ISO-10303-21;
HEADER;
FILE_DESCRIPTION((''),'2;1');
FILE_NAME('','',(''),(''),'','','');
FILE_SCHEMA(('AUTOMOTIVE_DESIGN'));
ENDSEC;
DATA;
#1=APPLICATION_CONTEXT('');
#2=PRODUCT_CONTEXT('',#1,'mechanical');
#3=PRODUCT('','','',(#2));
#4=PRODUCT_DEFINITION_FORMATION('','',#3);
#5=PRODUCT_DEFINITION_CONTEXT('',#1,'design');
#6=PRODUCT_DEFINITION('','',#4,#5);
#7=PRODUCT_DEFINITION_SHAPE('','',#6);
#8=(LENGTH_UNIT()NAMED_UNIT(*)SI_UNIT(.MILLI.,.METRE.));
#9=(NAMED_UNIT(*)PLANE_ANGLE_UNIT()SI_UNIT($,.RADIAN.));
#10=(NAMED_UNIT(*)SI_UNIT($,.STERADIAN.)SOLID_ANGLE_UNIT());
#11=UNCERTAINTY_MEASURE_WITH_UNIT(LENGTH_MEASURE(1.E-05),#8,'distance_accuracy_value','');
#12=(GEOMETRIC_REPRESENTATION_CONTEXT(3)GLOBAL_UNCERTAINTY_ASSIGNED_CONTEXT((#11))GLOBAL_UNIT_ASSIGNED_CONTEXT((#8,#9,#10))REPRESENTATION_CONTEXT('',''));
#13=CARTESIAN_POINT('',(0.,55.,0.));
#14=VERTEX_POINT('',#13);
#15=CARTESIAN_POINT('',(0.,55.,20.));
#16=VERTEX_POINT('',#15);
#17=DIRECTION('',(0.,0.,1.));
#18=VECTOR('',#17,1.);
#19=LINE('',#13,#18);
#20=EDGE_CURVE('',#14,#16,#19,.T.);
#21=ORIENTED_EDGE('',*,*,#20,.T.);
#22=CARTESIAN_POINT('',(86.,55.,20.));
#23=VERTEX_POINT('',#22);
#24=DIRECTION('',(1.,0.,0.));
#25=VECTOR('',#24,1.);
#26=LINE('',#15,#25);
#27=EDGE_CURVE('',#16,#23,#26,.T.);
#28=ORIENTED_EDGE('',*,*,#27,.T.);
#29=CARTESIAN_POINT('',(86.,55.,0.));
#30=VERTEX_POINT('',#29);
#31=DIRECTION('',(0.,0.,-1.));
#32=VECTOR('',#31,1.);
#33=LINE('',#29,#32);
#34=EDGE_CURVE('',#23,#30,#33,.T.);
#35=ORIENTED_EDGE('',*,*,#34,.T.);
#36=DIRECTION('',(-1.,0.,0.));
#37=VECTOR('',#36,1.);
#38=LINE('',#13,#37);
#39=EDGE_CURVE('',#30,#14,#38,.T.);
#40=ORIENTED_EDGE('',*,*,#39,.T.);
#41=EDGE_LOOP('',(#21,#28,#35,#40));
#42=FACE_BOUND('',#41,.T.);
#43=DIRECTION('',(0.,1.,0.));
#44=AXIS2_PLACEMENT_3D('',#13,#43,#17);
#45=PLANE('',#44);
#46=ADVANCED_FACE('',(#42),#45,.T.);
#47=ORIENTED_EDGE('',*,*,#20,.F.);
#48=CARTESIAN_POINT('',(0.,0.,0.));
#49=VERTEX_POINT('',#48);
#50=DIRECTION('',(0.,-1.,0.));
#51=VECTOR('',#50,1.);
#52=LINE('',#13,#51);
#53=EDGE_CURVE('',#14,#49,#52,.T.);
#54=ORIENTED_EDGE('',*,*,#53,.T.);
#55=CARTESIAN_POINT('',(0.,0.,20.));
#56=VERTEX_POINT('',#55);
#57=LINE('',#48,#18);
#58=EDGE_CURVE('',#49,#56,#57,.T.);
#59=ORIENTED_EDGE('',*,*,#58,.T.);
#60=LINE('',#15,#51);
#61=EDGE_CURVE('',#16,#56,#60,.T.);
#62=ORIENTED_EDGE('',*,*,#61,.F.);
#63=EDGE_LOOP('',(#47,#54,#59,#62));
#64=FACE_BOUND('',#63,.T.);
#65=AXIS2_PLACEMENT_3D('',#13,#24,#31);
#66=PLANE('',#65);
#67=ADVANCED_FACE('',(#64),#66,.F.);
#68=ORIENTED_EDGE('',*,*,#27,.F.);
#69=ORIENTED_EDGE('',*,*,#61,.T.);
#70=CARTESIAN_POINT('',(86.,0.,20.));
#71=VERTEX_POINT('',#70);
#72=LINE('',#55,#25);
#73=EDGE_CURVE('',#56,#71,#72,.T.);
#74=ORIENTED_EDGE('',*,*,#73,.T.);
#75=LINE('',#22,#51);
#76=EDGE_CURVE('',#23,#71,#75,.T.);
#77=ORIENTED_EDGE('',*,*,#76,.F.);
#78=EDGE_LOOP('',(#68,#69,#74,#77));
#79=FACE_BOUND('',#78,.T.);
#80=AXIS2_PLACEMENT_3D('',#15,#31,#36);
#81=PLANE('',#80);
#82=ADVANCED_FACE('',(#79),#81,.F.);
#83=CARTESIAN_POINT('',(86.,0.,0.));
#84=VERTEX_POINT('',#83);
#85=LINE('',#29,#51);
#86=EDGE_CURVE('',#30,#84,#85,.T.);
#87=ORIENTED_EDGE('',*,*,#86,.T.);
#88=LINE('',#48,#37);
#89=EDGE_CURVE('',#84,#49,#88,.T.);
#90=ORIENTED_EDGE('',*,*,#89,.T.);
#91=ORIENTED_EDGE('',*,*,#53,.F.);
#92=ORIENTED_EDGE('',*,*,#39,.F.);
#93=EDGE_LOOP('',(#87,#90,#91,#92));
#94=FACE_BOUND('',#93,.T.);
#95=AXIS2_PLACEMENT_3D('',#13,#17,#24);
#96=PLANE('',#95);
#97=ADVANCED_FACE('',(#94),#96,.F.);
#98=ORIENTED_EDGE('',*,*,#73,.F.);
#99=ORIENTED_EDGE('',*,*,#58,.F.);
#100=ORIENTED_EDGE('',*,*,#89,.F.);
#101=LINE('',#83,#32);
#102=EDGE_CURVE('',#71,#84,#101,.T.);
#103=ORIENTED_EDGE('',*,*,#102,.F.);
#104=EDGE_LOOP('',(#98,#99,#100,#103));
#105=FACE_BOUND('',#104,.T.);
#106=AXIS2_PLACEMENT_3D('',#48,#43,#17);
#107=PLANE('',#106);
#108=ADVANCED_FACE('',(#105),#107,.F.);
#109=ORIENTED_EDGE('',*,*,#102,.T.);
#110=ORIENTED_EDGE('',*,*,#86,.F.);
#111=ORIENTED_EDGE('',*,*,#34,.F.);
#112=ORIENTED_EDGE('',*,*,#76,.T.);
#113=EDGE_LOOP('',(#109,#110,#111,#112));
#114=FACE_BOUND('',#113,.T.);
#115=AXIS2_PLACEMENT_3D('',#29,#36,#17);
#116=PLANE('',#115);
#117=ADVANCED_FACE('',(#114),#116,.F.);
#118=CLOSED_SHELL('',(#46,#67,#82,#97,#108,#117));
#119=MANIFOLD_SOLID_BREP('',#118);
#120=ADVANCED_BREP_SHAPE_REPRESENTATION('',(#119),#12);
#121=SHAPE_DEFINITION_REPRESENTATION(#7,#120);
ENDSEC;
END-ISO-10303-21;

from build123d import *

# Parameters (mm, degrees)
SKETCH_1_W      = 86
SKETCH_1_H      = 20
EXTRUDE_1_DEPTH = 55


with BuildPart() as part:
    # 草图1 → 凸台-拉伸1 (new body)
    with BuildSketch(Plane(origin=(0, 0, 0), x_dir=(1, 0, 0), z_dir=(0, 1, 0))):
        with Locations((43, -10)):
            Rectangle(SKETCH_1_W, SKETCH_1_H)
    extrude(amount=EXTRUDE_1_DEPTH)


solid = part.part
